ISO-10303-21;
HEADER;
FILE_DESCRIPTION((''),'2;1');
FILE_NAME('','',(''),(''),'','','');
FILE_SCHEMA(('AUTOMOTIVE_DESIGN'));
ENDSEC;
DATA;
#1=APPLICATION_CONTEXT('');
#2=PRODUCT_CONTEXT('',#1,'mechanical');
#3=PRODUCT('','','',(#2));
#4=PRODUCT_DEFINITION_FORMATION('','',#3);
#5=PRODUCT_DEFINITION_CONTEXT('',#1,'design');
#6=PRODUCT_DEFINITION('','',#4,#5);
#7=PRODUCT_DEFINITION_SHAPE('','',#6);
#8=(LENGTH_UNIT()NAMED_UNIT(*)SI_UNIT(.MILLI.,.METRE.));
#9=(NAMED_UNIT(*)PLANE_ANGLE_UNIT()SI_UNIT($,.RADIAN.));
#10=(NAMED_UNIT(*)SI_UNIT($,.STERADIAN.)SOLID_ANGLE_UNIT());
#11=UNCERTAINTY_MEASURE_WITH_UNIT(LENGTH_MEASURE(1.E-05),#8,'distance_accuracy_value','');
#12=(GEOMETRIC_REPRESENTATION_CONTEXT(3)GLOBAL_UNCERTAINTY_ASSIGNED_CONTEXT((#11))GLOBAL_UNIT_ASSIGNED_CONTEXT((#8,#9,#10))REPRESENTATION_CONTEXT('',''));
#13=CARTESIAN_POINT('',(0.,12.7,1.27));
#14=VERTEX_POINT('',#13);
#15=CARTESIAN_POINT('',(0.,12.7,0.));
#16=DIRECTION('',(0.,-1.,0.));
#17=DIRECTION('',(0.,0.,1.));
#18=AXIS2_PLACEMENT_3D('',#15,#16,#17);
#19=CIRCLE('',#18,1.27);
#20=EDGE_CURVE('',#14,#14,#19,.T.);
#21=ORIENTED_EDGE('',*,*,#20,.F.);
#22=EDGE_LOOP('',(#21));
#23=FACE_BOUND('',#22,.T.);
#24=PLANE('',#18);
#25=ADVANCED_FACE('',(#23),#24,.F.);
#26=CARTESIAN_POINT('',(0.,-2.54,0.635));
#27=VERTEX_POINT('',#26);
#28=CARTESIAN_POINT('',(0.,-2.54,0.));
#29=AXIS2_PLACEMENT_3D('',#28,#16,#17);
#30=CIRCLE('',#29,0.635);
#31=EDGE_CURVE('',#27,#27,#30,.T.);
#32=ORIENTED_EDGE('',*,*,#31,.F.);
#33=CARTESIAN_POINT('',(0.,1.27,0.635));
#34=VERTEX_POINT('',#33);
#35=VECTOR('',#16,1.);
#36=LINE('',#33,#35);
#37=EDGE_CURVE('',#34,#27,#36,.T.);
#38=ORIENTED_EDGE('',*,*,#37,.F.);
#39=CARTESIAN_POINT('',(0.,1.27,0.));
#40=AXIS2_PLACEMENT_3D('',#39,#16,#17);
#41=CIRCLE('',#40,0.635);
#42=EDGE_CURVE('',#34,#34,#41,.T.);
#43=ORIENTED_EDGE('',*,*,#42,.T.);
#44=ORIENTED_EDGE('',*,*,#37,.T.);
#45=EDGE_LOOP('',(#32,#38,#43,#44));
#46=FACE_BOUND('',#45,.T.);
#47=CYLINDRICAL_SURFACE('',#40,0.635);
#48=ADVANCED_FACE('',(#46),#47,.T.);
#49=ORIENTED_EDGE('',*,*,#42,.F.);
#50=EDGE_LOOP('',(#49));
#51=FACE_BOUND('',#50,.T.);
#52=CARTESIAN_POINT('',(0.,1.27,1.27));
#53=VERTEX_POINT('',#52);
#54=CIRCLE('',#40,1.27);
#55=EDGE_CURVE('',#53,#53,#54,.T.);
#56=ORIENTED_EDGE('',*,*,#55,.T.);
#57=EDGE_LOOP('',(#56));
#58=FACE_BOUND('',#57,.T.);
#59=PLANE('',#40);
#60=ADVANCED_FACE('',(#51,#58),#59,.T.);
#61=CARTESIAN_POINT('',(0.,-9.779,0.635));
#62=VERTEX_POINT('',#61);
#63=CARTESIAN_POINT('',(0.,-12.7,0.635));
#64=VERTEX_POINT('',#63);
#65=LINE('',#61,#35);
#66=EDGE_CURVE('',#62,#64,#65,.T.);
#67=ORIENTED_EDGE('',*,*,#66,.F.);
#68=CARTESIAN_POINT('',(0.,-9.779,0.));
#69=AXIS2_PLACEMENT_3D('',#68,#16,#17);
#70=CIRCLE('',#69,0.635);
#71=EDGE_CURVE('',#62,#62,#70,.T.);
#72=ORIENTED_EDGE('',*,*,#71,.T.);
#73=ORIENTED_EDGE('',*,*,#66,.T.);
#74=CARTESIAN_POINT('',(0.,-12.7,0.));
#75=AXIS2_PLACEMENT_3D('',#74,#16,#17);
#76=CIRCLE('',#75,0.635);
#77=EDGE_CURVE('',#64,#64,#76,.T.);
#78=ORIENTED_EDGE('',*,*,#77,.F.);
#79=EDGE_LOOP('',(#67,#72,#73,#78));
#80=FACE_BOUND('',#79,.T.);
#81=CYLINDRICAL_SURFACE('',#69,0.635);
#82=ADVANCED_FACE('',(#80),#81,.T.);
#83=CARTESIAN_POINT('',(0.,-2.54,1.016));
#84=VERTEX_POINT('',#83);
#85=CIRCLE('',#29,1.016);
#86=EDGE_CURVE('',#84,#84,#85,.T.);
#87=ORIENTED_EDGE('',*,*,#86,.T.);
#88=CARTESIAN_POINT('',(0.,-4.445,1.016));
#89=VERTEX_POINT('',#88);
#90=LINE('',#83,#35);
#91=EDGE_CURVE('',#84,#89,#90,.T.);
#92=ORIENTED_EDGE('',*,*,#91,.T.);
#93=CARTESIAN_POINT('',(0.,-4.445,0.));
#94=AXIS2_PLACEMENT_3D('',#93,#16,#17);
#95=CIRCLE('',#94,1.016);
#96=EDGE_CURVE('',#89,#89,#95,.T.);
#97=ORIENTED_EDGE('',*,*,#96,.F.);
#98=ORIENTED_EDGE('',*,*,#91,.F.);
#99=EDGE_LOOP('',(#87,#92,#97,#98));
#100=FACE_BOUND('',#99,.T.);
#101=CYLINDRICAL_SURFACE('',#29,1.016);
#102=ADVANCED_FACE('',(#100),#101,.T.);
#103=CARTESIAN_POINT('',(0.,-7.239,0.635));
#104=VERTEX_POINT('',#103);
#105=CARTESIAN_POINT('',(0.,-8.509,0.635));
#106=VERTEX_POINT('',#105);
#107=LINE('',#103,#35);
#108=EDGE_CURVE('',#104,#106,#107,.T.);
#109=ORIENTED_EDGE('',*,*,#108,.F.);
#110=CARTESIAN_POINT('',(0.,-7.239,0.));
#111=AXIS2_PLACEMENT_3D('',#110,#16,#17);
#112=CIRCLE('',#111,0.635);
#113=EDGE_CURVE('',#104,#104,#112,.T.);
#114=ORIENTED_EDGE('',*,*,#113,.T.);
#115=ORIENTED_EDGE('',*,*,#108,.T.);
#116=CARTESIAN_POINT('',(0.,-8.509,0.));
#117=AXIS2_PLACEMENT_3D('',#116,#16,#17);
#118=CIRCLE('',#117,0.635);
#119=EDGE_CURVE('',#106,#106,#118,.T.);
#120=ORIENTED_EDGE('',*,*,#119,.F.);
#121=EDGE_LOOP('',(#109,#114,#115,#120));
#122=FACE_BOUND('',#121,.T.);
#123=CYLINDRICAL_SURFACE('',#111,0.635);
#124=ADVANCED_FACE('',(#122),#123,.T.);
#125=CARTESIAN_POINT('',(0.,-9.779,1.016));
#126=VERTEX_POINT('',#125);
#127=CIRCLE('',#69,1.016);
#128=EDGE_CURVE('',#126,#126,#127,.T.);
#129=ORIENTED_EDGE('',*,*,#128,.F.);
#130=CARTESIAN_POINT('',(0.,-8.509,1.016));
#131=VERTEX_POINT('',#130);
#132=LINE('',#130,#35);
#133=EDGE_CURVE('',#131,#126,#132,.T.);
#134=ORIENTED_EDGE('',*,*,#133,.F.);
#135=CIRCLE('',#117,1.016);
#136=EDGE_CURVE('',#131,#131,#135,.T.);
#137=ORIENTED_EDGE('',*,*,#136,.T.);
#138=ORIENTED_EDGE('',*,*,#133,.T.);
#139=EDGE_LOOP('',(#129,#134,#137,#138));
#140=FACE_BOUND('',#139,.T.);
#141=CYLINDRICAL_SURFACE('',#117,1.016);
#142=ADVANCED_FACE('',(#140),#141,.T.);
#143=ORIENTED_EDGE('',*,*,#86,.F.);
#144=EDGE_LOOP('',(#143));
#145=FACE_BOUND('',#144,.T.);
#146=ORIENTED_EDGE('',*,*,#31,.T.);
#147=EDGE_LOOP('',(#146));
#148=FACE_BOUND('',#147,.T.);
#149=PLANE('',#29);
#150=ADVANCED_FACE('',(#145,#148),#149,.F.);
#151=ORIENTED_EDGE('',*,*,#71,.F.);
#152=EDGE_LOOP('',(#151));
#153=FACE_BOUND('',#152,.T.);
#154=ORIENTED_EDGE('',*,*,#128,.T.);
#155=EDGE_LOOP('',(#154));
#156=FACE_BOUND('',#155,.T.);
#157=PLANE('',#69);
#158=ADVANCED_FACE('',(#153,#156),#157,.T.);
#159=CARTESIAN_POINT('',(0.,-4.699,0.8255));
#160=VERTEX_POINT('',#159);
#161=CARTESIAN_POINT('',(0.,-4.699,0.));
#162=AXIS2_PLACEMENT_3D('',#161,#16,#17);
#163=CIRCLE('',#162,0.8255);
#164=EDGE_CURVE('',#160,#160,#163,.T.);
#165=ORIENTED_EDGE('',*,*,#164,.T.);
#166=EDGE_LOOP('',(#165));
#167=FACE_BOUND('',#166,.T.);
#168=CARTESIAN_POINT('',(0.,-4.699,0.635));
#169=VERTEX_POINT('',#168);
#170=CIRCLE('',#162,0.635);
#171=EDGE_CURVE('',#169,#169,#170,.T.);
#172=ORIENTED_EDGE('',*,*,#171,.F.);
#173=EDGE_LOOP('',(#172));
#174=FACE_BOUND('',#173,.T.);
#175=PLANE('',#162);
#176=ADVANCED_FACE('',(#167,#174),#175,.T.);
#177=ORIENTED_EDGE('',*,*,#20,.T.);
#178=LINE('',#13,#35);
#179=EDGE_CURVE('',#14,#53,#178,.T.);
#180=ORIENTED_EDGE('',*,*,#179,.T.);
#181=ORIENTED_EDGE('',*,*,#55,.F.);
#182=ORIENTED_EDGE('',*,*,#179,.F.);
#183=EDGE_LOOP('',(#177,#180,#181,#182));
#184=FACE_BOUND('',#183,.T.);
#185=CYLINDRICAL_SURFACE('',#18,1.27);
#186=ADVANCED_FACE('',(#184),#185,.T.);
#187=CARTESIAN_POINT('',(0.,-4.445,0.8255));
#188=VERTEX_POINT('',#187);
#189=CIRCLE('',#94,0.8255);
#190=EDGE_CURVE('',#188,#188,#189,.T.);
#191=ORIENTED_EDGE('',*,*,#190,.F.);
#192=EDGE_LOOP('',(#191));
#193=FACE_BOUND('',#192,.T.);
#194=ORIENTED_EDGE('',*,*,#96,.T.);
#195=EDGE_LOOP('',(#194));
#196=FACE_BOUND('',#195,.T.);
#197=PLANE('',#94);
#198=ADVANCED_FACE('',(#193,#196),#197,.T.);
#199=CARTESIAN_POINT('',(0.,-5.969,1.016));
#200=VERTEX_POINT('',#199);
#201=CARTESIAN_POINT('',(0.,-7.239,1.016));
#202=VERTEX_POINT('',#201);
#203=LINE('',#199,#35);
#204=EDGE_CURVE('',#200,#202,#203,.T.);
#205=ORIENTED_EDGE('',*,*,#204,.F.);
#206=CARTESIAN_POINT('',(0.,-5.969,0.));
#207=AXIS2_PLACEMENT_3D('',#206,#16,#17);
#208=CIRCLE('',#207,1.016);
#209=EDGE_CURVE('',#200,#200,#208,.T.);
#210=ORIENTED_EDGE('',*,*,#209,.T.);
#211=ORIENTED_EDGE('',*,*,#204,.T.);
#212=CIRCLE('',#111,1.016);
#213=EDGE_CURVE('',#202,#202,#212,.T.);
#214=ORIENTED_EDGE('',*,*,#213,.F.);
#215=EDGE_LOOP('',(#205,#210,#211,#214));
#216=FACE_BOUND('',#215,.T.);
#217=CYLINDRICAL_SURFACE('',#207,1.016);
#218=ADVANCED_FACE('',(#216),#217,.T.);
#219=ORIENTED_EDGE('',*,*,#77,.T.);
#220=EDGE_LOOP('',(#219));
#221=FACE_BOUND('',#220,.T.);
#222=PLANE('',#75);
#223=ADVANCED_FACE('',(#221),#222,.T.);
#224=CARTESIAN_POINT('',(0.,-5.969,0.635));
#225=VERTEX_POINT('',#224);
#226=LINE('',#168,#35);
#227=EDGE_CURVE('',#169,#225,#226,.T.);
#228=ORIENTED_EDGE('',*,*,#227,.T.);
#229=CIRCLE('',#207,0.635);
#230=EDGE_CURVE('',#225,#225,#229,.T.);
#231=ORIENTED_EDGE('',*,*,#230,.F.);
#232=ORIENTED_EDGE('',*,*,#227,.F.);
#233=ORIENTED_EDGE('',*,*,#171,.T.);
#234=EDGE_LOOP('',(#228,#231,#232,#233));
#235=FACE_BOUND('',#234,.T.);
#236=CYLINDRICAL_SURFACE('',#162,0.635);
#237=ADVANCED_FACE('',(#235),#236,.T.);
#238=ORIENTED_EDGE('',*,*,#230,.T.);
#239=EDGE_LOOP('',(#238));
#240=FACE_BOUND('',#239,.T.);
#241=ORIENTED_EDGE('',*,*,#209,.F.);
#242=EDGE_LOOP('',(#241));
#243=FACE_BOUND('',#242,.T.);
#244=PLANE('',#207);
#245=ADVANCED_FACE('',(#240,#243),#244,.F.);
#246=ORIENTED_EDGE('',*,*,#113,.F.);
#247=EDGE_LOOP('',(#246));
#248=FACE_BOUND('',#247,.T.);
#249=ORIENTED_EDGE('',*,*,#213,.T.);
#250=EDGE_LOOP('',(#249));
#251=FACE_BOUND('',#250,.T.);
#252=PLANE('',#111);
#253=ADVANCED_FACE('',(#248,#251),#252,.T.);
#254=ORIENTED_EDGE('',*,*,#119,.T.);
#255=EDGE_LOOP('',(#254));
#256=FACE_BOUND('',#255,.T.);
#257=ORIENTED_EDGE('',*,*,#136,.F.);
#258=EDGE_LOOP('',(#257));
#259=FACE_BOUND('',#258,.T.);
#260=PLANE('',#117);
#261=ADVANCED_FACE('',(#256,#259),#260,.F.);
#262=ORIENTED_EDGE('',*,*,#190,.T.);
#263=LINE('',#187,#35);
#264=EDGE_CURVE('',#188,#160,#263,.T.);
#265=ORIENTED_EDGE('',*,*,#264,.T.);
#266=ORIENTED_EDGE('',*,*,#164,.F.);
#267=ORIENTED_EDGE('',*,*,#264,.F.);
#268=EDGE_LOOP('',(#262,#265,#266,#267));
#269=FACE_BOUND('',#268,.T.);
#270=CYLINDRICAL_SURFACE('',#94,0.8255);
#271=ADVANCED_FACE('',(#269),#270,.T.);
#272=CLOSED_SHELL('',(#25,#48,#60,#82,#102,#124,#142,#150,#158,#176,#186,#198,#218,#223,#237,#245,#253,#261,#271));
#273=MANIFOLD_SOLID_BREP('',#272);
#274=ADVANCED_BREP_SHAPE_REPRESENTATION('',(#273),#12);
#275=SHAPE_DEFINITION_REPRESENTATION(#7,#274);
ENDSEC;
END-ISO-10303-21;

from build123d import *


with BuildPart() as f1:
    # F0 (on Right) → F1 (revolve)
    with BuildSketch(Plane.YZ):
        Polygon((-12.7, 0), (0, 0), (12.7, 0), (12.7, 1.27), (1.27, 1.27), (1.27, 0.635), (-2.54, 0.635), (-2.54, 1.016), (-4.445, 1.016), (-4.445, 0.8255), (-4.699, 0.8255), (-4.699, 0.635), (-5.969, 0.635), (-5.969, 1.016), (-7.239, 1.016), (-7.239, 0.635), (-8.509, 0.635), (-8.509, 1.016), (-9.779, 1.016), (-9.779, 0.635), (-12.7, 0.635), align=None)
    revolve(axis=Axis((0, -6.35, 0), (0, -1, 0)))


solid = f1.part
